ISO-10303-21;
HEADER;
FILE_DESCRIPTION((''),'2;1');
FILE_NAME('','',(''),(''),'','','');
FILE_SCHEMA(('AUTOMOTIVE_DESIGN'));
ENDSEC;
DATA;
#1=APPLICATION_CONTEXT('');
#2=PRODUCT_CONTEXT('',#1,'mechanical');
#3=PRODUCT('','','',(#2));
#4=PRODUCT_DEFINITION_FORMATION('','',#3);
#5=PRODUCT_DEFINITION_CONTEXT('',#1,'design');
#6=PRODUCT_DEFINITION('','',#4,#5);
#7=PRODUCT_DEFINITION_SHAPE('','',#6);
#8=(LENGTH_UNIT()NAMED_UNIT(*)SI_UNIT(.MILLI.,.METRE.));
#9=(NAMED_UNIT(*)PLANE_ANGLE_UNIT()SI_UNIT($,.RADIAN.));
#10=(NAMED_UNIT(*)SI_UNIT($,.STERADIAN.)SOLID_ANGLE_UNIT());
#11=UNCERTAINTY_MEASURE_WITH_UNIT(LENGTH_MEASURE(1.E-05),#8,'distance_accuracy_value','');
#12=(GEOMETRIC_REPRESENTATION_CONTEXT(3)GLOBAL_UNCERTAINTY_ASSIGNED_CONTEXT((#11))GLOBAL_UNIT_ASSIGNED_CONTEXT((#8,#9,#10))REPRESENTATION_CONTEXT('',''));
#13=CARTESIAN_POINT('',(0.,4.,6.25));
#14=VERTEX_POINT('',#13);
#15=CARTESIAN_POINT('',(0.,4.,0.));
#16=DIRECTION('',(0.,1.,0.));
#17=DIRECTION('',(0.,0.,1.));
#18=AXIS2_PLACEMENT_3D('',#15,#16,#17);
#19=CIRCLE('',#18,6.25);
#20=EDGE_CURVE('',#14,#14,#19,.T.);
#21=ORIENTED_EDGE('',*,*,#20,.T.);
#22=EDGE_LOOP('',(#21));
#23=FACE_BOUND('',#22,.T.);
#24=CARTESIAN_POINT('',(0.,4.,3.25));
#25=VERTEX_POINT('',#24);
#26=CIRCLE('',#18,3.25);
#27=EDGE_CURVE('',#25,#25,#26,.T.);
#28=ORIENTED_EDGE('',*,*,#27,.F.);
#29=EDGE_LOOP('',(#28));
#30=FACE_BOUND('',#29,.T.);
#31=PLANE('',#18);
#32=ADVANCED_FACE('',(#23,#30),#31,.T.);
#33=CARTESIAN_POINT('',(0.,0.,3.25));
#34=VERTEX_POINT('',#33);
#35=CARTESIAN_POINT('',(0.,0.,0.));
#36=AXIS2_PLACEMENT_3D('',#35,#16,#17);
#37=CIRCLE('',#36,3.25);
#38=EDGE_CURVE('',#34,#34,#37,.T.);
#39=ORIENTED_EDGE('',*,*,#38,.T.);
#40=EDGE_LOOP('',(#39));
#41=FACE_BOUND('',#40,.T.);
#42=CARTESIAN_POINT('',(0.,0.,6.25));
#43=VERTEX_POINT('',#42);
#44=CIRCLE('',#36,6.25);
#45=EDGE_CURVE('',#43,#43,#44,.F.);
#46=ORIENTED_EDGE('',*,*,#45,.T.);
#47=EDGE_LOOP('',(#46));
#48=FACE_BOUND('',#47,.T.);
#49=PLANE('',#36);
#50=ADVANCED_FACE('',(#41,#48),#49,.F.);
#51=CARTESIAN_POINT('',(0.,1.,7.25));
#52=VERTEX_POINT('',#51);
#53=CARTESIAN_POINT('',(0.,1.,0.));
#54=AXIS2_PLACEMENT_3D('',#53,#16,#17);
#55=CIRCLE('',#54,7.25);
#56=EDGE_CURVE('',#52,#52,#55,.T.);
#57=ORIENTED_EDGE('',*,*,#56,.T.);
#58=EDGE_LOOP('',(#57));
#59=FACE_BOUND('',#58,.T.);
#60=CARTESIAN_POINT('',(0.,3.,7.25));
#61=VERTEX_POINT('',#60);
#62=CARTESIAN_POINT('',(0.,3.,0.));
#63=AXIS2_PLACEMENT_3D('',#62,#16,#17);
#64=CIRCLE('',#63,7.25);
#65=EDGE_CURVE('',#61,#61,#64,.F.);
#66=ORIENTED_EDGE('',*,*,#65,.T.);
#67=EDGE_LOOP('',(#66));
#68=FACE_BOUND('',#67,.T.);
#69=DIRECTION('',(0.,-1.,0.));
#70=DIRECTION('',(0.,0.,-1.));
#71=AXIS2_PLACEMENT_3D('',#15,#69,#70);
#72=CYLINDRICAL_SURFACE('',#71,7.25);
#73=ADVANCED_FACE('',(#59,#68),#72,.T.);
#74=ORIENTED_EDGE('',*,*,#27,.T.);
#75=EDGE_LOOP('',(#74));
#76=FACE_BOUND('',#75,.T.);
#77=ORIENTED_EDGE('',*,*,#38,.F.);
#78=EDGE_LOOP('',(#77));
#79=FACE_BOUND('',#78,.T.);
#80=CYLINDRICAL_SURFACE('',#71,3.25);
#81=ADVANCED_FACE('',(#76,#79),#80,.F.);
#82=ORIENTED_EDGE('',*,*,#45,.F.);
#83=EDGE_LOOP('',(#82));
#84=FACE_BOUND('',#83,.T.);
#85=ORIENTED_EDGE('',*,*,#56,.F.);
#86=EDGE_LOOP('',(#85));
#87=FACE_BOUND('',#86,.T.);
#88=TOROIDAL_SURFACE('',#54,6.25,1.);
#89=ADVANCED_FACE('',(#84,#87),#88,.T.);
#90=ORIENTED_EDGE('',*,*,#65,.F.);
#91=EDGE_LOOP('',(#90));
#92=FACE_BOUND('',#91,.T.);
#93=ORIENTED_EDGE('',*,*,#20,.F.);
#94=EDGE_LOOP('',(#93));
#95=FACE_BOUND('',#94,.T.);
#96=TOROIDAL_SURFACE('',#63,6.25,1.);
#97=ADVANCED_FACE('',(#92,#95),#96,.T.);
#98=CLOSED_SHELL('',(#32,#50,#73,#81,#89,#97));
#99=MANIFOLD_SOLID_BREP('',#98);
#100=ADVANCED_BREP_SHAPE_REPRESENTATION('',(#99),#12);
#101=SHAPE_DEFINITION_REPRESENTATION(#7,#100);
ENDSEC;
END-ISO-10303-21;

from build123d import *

# Parameters (mm, degrees)
SKETCH1_R           = 7.25
SKETCH1_R_2         = 3.25
BOSS_EXTRUDE1_DEPTH = 4
FILLET1_R           = 1


with BuildPart() as part:
    # Sketch1 → Boss-Extrude1 (new body)
    with BuildSketch(Plane(origin=(0, 0, 0), x_dir=(1, 0, 0), z_dir=(0, 1, 0))):
        with Locations(Location((0, 0, 0), (0, 0, 270))):
            Circle(SKETCH1_R)
        with Locations(Location((0, 0, 0), (0, 0, 270))):
            Circle(SKETCH1_R_2, mode=Mode.SUBTRACT)
    extrude(amount=BOSS_EXTRUDE1_DEPTH)

    # Fillet1
    fillet1_edges = [part.edges().sort_by_distance(p)[0] for p in [
        (0, 0, -7.25),
        (0, 4, -7.25),
    ]]
    fillet(fillet1_edges, radius=FILLET1_R)


solid = part.part
